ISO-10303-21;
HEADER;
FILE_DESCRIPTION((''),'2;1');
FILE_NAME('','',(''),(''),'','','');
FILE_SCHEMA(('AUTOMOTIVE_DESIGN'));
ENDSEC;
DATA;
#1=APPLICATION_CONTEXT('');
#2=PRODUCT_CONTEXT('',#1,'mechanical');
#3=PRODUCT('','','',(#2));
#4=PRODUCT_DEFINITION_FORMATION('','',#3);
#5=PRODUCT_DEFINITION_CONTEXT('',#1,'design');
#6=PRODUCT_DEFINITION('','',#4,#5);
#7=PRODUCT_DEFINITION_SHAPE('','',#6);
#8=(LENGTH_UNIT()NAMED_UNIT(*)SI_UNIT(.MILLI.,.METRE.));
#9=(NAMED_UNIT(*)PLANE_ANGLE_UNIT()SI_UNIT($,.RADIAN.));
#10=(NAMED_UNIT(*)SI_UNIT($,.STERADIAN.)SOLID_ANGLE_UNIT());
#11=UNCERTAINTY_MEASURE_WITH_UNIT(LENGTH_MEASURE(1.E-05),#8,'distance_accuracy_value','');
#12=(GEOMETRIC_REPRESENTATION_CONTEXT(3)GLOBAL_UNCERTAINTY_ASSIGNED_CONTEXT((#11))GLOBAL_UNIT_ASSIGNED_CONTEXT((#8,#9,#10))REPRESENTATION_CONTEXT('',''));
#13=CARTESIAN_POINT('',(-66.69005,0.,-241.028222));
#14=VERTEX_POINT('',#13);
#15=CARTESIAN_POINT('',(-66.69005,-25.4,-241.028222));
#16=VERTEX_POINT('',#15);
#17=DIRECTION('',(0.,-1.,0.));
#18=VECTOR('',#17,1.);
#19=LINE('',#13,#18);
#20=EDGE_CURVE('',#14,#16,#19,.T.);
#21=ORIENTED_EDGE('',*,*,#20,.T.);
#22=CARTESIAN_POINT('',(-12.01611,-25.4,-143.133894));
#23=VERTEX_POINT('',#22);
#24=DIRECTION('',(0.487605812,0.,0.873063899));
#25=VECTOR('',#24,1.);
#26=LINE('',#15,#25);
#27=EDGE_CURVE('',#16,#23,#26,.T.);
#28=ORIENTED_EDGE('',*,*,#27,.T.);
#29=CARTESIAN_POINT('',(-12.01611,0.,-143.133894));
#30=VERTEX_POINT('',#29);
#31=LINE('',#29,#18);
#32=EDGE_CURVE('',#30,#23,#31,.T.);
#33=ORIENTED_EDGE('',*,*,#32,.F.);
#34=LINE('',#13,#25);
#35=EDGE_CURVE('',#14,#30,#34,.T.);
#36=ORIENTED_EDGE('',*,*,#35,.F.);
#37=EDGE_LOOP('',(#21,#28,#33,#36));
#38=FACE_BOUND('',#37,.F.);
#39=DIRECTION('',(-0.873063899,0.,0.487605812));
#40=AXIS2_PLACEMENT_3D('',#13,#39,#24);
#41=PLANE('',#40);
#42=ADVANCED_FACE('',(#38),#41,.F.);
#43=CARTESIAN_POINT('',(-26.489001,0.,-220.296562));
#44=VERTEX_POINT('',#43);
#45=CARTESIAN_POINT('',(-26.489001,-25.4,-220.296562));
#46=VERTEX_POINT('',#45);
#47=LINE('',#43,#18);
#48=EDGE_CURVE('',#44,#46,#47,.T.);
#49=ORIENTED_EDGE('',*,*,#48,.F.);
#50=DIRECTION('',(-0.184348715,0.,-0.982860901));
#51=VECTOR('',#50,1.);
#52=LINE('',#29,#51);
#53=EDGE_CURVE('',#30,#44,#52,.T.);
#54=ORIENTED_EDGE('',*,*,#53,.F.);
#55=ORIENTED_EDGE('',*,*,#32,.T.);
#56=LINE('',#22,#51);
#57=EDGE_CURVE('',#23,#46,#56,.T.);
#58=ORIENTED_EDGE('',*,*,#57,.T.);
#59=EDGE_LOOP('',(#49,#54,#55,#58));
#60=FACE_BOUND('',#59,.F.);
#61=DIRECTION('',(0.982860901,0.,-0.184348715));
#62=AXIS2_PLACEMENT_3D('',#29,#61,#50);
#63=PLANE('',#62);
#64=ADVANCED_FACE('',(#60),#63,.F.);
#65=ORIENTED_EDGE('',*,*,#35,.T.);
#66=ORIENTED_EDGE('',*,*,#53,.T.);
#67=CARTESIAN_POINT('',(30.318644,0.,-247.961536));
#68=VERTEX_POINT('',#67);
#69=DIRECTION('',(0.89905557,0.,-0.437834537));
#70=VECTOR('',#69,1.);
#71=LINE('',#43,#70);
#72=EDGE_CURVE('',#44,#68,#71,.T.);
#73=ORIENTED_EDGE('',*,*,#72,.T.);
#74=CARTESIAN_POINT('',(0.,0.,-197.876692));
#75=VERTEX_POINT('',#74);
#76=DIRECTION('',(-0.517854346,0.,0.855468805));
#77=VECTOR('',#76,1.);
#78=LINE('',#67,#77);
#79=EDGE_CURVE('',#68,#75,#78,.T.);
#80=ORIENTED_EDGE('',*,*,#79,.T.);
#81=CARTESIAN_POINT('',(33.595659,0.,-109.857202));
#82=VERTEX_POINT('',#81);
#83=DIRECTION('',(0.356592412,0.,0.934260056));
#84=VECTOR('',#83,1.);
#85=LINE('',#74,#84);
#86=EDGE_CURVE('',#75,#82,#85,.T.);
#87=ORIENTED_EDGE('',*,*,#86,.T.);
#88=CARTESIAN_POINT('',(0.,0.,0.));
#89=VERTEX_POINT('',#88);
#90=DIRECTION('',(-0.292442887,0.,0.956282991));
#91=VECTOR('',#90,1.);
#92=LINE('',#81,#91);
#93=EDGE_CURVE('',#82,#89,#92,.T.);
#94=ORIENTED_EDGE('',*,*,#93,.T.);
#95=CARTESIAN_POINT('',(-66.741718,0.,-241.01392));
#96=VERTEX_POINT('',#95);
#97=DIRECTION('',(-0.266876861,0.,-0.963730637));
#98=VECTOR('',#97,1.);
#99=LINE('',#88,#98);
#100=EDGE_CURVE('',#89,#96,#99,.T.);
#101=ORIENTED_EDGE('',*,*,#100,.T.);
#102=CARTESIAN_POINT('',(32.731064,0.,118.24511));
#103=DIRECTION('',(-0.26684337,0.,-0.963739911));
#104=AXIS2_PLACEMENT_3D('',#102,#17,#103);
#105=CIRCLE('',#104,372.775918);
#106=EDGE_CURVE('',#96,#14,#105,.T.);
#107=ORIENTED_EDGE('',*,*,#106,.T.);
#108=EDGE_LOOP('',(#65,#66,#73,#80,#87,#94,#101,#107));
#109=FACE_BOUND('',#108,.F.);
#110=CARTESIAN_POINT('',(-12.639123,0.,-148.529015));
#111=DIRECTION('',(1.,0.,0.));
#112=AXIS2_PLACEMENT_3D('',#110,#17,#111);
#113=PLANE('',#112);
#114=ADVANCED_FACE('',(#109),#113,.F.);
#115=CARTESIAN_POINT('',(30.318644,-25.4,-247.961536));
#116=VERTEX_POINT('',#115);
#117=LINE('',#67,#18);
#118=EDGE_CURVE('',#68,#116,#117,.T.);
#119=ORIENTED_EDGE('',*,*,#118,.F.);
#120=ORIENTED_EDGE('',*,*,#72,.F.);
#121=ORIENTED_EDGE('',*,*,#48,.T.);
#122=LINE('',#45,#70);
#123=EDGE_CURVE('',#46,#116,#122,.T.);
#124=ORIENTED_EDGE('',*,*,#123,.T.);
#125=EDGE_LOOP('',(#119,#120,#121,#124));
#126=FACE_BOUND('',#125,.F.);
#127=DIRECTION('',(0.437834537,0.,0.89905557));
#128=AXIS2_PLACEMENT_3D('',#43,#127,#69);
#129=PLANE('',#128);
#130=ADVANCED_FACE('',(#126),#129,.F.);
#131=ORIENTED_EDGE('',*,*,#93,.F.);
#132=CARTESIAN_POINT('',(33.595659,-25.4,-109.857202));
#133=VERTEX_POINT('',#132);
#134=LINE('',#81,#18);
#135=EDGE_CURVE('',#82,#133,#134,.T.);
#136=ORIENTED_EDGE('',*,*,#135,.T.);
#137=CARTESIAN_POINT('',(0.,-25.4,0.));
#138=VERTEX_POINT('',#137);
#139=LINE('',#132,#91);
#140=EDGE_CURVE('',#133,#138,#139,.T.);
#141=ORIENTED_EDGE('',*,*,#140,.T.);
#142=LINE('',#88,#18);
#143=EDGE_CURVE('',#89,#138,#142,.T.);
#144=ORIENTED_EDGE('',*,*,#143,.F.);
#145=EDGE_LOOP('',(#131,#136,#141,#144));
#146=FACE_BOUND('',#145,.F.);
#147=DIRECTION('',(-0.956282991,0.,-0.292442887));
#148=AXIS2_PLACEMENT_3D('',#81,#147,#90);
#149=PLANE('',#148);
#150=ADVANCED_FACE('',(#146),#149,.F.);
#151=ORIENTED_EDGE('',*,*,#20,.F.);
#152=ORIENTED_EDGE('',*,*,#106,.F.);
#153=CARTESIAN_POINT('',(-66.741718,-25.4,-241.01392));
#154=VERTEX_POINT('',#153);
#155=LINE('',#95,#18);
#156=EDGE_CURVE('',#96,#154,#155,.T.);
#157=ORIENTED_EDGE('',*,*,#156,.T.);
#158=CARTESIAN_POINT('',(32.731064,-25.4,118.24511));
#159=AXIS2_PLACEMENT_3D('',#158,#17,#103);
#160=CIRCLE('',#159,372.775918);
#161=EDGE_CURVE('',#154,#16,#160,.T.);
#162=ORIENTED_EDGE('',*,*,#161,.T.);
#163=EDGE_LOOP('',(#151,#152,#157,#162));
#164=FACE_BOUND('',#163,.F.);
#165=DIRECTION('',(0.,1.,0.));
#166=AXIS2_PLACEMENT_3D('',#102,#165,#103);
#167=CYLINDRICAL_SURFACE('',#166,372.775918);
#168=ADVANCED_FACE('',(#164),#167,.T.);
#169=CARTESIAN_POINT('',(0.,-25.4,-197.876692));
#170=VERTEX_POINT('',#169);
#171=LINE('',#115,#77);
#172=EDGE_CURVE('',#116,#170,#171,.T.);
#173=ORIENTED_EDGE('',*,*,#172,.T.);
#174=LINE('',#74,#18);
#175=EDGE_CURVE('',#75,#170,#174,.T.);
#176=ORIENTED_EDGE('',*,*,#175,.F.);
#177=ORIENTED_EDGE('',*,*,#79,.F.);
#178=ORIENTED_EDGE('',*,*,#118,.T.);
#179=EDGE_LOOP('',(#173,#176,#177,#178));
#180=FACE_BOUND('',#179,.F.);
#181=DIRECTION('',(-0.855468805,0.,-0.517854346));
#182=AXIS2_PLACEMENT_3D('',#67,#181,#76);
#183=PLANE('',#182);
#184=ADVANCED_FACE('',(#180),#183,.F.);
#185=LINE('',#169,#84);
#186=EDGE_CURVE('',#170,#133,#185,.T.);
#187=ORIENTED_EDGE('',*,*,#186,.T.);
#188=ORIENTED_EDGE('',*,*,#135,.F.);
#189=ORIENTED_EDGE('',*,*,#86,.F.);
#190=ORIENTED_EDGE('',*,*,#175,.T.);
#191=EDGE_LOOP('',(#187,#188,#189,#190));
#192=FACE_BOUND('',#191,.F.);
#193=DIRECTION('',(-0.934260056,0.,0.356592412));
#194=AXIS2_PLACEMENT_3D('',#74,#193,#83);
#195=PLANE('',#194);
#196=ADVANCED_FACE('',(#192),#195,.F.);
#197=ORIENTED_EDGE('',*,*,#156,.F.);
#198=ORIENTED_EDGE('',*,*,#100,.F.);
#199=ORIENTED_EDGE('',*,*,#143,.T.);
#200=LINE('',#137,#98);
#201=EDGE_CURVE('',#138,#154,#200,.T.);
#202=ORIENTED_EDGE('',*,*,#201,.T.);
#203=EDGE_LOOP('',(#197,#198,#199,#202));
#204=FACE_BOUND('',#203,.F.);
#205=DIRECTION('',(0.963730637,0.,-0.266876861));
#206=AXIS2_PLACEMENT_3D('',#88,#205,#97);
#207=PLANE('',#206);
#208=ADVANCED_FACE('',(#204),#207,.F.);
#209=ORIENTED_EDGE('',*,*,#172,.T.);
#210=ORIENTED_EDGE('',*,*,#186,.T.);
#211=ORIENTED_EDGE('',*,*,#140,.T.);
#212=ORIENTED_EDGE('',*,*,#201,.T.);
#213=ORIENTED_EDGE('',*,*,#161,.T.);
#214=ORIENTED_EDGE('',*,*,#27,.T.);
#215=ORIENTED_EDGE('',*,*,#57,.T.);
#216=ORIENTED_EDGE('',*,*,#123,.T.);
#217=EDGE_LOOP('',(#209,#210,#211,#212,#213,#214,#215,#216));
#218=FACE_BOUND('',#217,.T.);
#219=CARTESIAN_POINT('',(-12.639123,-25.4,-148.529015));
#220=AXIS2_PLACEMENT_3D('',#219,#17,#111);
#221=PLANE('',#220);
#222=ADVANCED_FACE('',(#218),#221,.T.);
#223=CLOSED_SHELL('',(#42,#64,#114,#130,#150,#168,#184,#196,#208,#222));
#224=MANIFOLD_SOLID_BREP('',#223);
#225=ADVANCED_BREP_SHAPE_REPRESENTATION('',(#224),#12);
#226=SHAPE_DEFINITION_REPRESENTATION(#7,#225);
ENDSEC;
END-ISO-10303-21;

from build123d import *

# Parameters (mm, degrees)
F2_DEPTH = 25.4


with BuildPart() as f2:
    # F1 (on face) → F2 (new body)
    with BuildSketch(Plane.XZ):
        with BuildLine():
            Line((33.595659, -109.857202), (0, 0))
            Line((0, 0), (-66.741718, -241.01392))
            ThreePointArc((-66.741718, -241.01392), (-66.715884, -241.021072), (-66.69005, -241.028222))
            Line((-66.69005, -241.028222), (-12.01611, -143.133894))
            Line((-12.01611, -143.133894), (-26.489001, -220.296562))
            Line((-26.489001, -220.296562), (30.318644, -247.961536))
            Line((30.318644, -247.961536), (0, -197.876692))
            Line((0, -197.876692), (33.595659, -109.857202))
        make_face()
    extrude(amount=F2_DEPTH)


solid = f2.part
